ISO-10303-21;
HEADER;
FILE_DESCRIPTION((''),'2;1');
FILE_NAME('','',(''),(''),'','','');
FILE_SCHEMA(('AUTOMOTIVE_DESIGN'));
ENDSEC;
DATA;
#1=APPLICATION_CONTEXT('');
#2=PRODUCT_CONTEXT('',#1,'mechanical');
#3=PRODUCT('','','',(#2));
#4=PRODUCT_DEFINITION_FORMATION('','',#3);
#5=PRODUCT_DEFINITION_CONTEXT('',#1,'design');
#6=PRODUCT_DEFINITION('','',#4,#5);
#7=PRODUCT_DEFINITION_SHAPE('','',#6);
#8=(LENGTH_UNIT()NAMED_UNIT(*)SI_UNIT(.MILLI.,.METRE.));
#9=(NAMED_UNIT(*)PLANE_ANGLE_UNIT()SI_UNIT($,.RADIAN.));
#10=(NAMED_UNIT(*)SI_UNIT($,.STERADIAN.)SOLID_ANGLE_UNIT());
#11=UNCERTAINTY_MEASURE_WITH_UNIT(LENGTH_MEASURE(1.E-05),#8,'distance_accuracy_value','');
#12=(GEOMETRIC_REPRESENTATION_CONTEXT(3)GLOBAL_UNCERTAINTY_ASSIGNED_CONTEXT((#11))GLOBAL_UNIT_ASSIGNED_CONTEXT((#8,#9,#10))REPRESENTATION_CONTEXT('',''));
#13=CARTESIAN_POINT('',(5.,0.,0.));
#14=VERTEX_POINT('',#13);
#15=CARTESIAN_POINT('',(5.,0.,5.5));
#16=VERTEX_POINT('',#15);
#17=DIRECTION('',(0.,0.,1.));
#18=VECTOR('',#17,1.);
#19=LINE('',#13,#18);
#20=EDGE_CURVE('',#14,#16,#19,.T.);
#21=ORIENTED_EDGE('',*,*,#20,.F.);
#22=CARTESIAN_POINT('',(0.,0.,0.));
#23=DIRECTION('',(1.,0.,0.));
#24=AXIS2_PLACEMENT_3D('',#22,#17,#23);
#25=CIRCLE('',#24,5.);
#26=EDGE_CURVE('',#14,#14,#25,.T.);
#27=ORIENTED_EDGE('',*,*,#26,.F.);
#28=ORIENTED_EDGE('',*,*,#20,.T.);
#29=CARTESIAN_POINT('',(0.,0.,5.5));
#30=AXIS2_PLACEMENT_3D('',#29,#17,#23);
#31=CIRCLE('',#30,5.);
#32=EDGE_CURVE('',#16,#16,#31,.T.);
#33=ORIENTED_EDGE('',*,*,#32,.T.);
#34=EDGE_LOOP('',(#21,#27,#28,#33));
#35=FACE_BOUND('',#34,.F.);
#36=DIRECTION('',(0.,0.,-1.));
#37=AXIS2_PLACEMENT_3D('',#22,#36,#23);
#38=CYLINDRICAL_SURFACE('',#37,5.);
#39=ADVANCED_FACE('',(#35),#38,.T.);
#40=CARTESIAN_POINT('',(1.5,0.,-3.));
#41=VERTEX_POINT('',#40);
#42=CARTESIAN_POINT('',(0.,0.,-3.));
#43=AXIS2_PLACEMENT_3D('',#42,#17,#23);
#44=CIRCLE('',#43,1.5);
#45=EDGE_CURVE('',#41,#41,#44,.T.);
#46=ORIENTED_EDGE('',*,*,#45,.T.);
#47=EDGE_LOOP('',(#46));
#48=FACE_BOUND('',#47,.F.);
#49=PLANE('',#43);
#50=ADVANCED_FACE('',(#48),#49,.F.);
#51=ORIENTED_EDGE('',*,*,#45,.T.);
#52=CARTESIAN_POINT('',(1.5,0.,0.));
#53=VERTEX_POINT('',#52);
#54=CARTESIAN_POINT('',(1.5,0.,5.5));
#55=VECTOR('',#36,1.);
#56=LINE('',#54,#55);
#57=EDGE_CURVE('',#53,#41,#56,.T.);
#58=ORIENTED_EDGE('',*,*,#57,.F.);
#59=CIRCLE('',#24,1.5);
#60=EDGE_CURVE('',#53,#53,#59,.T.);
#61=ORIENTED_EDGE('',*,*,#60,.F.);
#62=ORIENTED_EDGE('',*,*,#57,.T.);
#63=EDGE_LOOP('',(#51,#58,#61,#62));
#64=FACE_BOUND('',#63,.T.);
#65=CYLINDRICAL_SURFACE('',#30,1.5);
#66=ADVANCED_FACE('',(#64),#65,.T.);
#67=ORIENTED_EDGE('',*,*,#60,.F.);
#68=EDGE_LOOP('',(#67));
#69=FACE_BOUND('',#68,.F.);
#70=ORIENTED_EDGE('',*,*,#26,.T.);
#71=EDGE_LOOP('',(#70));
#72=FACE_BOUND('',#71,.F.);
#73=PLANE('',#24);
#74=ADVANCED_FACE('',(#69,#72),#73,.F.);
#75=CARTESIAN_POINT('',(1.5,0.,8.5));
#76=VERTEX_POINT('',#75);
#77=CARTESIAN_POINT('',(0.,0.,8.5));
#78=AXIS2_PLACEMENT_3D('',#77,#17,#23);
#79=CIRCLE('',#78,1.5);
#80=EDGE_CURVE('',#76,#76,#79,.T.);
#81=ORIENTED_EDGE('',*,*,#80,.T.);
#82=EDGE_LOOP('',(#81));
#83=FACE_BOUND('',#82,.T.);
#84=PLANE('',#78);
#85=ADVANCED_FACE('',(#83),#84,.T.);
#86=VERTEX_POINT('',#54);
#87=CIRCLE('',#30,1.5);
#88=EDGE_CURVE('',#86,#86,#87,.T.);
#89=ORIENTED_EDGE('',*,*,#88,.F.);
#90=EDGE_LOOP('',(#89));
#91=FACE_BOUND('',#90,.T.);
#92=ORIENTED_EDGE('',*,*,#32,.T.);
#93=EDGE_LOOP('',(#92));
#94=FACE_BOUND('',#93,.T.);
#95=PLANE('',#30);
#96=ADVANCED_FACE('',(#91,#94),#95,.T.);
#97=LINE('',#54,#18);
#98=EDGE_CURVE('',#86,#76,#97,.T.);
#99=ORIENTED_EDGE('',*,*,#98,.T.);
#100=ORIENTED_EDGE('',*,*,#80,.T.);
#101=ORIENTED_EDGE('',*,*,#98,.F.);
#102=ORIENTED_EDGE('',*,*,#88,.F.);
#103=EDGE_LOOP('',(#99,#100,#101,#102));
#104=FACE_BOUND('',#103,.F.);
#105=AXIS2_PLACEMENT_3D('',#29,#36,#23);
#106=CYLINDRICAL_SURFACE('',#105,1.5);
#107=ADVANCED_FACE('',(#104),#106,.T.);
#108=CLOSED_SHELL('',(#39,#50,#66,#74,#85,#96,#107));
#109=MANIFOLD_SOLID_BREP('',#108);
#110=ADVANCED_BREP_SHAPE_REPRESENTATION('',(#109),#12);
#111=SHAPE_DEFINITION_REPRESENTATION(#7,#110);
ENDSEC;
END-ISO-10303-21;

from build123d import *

# Parameters (mm, degrees)
SKETCH_R          = 5
PAD_DEPTH         = 5.5
SKETCH001_R       = 1.5
PAD001_DEPTH      = 3
PAD001_DEPTH_BACK = 8.5


with BuildPart() as part:
    # Sketch → Pad (new body)
    with BuildSketch(Plane.XY):
        Circle(SKETCH_R)
    extrude(amount=PAD_DEPTH)

    # Sketch001 → Pad001 (new body, two sides)
    with BuildSketch(Plane.XY.offset(5.5)) as pad001_sk:
        Circle(SKETCH001_R)
    extrude(amount=PAD001_DEPTH)
    extrude(pad001_sk.sketch, amount=-PAD001_DEPTH_BACK)


solid = part.part
